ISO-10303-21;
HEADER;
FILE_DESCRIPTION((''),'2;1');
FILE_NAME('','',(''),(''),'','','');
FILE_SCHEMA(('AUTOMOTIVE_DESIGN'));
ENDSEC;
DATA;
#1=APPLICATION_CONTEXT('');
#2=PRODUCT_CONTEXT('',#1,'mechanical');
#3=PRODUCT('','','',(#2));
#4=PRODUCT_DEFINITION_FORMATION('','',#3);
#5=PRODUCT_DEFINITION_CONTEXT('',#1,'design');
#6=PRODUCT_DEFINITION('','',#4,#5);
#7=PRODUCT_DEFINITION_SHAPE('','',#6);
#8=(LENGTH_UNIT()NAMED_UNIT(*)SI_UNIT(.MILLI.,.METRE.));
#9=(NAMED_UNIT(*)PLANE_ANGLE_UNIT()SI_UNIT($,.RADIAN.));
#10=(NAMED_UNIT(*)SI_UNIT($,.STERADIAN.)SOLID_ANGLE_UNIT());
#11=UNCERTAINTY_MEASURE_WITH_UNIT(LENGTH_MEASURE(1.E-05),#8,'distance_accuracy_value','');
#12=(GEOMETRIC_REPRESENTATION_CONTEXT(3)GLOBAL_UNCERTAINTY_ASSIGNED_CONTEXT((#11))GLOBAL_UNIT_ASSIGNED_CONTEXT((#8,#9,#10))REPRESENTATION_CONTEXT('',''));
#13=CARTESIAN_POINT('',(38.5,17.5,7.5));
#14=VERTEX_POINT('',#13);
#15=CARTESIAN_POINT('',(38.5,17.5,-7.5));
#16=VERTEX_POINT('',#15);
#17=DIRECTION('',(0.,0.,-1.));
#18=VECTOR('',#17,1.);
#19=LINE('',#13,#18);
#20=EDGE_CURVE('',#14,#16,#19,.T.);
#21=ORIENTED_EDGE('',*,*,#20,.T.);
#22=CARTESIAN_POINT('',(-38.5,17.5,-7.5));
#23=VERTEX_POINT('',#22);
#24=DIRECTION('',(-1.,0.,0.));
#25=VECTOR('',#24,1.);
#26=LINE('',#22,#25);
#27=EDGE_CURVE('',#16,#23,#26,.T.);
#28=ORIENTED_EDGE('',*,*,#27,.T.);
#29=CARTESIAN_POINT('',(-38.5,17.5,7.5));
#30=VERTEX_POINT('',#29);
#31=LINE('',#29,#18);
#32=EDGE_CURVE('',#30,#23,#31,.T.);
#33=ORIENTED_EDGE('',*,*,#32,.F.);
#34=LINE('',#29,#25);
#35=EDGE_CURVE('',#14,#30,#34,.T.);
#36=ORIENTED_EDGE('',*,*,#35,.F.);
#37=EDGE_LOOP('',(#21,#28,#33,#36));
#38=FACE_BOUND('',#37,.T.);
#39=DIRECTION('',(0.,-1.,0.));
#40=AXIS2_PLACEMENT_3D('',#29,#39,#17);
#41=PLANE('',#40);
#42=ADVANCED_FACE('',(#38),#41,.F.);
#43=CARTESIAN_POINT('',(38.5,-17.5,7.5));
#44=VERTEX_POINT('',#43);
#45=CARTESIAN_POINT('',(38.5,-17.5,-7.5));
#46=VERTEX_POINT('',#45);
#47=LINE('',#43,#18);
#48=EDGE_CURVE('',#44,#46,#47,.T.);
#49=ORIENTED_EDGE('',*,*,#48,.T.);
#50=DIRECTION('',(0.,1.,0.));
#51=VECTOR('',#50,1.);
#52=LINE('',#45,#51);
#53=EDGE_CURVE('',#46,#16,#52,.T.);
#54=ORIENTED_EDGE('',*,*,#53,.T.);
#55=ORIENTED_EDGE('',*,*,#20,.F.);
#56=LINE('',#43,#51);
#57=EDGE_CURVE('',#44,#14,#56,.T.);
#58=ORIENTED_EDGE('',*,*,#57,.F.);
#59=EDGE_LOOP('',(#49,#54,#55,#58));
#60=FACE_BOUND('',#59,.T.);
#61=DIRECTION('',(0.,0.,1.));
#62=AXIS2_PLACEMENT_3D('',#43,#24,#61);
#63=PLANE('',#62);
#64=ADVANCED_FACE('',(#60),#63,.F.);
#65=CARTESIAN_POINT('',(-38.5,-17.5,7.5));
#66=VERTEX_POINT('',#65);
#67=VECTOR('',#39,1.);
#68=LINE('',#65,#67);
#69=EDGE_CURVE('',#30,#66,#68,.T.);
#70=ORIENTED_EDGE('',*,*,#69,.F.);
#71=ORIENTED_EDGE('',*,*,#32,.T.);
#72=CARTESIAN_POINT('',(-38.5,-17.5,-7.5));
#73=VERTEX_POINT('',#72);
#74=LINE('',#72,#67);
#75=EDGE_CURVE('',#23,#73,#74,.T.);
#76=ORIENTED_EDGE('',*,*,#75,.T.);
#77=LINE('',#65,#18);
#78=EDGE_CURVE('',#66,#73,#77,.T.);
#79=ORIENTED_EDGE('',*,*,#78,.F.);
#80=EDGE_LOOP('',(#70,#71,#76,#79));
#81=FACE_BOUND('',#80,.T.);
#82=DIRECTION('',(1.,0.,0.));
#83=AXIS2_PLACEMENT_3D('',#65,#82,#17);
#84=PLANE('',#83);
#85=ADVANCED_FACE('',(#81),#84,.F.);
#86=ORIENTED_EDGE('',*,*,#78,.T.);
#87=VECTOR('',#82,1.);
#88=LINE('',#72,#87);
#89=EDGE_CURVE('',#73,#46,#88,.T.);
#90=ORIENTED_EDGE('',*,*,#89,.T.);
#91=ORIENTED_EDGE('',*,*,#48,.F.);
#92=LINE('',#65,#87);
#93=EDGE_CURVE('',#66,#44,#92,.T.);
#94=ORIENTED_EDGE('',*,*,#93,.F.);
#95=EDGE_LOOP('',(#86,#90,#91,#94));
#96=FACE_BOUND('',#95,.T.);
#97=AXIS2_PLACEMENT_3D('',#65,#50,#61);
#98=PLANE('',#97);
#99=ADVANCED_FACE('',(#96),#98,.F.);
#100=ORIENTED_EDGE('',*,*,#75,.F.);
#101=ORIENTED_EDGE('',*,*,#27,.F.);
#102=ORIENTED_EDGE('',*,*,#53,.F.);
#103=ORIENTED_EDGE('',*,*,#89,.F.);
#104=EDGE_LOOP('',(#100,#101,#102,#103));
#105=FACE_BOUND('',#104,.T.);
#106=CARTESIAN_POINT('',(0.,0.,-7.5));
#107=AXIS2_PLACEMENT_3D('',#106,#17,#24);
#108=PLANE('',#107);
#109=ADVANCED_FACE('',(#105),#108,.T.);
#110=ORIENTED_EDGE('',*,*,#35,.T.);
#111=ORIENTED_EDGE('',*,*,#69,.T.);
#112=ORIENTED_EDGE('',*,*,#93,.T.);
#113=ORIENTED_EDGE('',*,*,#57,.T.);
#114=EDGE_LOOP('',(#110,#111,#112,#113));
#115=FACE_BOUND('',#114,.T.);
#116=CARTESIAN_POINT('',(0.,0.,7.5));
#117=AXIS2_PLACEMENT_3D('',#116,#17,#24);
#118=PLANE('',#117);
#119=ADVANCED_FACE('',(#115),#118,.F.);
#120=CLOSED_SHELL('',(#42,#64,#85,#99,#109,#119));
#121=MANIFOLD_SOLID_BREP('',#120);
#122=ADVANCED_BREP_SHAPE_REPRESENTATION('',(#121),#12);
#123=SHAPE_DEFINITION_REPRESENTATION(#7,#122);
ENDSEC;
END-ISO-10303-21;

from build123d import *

# Parameters (mm, degrees)
SKETCH_1_W      = 77
SKETCH_1_H      = 35
EXTRUDE_1_DEPTH = 7.5


with BuildPart() as part:
    # Эскиз1 → Бобышка-Вытянуть1 (new body, symmetric)
    with BuildSketch(Plane.XY):
        Rectangle(SKETCH_1_W, SKETCH_1_H)
    extrude(amount=EXTRUDE_1_DEPTH, both=True)


solid = part.part
